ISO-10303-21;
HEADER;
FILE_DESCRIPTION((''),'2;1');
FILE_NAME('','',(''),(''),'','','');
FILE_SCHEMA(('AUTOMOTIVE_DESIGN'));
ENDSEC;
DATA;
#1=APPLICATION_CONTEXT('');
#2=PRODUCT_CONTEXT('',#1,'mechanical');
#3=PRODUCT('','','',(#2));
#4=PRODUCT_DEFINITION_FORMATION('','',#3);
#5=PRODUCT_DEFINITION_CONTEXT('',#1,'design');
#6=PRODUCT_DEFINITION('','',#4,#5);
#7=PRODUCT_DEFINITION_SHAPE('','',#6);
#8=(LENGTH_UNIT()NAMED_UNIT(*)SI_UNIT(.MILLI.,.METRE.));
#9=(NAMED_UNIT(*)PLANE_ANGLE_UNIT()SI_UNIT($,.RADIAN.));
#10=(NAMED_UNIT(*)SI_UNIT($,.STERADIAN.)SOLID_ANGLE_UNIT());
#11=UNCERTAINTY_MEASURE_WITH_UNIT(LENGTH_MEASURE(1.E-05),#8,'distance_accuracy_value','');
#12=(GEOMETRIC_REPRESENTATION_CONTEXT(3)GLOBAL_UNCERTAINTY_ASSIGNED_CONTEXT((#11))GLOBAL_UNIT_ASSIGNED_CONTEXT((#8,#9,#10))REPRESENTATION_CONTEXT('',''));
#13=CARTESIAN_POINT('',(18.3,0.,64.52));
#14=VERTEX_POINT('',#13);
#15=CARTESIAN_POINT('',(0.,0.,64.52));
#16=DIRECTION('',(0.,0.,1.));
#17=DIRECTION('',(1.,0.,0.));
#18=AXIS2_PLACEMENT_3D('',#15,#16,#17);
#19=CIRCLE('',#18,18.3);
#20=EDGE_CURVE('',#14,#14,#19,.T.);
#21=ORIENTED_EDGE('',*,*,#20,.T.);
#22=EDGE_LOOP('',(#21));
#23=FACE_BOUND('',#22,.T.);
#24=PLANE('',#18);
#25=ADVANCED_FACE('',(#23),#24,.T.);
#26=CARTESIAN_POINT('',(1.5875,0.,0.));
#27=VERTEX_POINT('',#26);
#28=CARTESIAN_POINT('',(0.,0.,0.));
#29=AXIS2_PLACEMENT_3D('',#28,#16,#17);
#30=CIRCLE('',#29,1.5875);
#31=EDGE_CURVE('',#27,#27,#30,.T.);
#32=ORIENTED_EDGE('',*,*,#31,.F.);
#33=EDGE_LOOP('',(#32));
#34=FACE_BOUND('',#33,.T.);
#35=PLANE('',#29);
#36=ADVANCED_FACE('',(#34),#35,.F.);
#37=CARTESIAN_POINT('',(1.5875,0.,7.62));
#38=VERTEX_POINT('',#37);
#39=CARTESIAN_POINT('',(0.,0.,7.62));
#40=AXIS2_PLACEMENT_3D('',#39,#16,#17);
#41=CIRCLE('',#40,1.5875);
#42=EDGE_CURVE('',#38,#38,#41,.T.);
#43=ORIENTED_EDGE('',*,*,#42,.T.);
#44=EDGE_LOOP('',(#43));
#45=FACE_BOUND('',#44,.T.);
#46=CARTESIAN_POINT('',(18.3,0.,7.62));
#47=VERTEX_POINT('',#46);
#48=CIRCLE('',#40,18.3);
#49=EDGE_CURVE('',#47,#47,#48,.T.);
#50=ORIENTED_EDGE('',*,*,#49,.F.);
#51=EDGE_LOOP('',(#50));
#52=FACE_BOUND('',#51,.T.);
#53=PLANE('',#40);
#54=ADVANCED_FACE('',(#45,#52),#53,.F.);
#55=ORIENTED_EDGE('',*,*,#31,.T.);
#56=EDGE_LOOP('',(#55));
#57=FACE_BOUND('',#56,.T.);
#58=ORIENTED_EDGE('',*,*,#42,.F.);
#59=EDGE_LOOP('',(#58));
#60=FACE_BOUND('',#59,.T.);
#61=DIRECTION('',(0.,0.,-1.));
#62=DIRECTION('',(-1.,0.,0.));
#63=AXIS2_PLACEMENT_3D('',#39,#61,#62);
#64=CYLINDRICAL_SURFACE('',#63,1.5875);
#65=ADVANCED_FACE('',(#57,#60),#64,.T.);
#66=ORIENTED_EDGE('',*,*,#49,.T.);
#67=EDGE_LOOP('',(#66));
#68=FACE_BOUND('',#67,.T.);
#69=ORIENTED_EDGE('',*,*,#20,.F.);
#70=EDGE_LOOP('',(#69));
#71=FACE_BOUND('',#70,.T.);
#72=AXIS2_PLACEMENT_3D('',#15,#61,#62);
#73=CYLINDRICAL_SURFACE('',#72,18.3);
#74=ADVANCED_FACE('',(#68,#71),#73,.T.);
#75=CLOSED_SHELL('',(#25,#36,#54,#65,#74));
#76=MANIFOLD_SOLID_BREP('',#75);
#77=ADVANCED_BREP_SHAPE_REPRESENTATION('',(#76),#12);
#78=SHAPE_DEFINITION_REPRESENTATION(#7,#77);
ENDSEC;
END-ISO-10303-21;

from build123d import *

# Parameters (mm, degrees)
SKETCH1_R           = 1.5875
BOSS_EXTRUDE1_DEPTH = 7.62
SKETCH2_R           = 18.3
BOSS_EXTRUDE2_DEPTH = 56.9


with BuildPart() as part:
    # Sketch1 → Boss-Extrude1 (new body)
    with BuildSketch(Plane.XY):
        Circle(SKETCH1_R)
    extrude(amount=BOSS_EXTRUDE1_DEPTH)

    # Sketch2 → Boss-Extrude2 (add)
    with BuildSketch(Plane.XY.offset(7.62)):
        Circle(SKETCH2_R)
    extrude(amount=BOSS_EXTRUDE2_DEPTH)


solid = part.part
